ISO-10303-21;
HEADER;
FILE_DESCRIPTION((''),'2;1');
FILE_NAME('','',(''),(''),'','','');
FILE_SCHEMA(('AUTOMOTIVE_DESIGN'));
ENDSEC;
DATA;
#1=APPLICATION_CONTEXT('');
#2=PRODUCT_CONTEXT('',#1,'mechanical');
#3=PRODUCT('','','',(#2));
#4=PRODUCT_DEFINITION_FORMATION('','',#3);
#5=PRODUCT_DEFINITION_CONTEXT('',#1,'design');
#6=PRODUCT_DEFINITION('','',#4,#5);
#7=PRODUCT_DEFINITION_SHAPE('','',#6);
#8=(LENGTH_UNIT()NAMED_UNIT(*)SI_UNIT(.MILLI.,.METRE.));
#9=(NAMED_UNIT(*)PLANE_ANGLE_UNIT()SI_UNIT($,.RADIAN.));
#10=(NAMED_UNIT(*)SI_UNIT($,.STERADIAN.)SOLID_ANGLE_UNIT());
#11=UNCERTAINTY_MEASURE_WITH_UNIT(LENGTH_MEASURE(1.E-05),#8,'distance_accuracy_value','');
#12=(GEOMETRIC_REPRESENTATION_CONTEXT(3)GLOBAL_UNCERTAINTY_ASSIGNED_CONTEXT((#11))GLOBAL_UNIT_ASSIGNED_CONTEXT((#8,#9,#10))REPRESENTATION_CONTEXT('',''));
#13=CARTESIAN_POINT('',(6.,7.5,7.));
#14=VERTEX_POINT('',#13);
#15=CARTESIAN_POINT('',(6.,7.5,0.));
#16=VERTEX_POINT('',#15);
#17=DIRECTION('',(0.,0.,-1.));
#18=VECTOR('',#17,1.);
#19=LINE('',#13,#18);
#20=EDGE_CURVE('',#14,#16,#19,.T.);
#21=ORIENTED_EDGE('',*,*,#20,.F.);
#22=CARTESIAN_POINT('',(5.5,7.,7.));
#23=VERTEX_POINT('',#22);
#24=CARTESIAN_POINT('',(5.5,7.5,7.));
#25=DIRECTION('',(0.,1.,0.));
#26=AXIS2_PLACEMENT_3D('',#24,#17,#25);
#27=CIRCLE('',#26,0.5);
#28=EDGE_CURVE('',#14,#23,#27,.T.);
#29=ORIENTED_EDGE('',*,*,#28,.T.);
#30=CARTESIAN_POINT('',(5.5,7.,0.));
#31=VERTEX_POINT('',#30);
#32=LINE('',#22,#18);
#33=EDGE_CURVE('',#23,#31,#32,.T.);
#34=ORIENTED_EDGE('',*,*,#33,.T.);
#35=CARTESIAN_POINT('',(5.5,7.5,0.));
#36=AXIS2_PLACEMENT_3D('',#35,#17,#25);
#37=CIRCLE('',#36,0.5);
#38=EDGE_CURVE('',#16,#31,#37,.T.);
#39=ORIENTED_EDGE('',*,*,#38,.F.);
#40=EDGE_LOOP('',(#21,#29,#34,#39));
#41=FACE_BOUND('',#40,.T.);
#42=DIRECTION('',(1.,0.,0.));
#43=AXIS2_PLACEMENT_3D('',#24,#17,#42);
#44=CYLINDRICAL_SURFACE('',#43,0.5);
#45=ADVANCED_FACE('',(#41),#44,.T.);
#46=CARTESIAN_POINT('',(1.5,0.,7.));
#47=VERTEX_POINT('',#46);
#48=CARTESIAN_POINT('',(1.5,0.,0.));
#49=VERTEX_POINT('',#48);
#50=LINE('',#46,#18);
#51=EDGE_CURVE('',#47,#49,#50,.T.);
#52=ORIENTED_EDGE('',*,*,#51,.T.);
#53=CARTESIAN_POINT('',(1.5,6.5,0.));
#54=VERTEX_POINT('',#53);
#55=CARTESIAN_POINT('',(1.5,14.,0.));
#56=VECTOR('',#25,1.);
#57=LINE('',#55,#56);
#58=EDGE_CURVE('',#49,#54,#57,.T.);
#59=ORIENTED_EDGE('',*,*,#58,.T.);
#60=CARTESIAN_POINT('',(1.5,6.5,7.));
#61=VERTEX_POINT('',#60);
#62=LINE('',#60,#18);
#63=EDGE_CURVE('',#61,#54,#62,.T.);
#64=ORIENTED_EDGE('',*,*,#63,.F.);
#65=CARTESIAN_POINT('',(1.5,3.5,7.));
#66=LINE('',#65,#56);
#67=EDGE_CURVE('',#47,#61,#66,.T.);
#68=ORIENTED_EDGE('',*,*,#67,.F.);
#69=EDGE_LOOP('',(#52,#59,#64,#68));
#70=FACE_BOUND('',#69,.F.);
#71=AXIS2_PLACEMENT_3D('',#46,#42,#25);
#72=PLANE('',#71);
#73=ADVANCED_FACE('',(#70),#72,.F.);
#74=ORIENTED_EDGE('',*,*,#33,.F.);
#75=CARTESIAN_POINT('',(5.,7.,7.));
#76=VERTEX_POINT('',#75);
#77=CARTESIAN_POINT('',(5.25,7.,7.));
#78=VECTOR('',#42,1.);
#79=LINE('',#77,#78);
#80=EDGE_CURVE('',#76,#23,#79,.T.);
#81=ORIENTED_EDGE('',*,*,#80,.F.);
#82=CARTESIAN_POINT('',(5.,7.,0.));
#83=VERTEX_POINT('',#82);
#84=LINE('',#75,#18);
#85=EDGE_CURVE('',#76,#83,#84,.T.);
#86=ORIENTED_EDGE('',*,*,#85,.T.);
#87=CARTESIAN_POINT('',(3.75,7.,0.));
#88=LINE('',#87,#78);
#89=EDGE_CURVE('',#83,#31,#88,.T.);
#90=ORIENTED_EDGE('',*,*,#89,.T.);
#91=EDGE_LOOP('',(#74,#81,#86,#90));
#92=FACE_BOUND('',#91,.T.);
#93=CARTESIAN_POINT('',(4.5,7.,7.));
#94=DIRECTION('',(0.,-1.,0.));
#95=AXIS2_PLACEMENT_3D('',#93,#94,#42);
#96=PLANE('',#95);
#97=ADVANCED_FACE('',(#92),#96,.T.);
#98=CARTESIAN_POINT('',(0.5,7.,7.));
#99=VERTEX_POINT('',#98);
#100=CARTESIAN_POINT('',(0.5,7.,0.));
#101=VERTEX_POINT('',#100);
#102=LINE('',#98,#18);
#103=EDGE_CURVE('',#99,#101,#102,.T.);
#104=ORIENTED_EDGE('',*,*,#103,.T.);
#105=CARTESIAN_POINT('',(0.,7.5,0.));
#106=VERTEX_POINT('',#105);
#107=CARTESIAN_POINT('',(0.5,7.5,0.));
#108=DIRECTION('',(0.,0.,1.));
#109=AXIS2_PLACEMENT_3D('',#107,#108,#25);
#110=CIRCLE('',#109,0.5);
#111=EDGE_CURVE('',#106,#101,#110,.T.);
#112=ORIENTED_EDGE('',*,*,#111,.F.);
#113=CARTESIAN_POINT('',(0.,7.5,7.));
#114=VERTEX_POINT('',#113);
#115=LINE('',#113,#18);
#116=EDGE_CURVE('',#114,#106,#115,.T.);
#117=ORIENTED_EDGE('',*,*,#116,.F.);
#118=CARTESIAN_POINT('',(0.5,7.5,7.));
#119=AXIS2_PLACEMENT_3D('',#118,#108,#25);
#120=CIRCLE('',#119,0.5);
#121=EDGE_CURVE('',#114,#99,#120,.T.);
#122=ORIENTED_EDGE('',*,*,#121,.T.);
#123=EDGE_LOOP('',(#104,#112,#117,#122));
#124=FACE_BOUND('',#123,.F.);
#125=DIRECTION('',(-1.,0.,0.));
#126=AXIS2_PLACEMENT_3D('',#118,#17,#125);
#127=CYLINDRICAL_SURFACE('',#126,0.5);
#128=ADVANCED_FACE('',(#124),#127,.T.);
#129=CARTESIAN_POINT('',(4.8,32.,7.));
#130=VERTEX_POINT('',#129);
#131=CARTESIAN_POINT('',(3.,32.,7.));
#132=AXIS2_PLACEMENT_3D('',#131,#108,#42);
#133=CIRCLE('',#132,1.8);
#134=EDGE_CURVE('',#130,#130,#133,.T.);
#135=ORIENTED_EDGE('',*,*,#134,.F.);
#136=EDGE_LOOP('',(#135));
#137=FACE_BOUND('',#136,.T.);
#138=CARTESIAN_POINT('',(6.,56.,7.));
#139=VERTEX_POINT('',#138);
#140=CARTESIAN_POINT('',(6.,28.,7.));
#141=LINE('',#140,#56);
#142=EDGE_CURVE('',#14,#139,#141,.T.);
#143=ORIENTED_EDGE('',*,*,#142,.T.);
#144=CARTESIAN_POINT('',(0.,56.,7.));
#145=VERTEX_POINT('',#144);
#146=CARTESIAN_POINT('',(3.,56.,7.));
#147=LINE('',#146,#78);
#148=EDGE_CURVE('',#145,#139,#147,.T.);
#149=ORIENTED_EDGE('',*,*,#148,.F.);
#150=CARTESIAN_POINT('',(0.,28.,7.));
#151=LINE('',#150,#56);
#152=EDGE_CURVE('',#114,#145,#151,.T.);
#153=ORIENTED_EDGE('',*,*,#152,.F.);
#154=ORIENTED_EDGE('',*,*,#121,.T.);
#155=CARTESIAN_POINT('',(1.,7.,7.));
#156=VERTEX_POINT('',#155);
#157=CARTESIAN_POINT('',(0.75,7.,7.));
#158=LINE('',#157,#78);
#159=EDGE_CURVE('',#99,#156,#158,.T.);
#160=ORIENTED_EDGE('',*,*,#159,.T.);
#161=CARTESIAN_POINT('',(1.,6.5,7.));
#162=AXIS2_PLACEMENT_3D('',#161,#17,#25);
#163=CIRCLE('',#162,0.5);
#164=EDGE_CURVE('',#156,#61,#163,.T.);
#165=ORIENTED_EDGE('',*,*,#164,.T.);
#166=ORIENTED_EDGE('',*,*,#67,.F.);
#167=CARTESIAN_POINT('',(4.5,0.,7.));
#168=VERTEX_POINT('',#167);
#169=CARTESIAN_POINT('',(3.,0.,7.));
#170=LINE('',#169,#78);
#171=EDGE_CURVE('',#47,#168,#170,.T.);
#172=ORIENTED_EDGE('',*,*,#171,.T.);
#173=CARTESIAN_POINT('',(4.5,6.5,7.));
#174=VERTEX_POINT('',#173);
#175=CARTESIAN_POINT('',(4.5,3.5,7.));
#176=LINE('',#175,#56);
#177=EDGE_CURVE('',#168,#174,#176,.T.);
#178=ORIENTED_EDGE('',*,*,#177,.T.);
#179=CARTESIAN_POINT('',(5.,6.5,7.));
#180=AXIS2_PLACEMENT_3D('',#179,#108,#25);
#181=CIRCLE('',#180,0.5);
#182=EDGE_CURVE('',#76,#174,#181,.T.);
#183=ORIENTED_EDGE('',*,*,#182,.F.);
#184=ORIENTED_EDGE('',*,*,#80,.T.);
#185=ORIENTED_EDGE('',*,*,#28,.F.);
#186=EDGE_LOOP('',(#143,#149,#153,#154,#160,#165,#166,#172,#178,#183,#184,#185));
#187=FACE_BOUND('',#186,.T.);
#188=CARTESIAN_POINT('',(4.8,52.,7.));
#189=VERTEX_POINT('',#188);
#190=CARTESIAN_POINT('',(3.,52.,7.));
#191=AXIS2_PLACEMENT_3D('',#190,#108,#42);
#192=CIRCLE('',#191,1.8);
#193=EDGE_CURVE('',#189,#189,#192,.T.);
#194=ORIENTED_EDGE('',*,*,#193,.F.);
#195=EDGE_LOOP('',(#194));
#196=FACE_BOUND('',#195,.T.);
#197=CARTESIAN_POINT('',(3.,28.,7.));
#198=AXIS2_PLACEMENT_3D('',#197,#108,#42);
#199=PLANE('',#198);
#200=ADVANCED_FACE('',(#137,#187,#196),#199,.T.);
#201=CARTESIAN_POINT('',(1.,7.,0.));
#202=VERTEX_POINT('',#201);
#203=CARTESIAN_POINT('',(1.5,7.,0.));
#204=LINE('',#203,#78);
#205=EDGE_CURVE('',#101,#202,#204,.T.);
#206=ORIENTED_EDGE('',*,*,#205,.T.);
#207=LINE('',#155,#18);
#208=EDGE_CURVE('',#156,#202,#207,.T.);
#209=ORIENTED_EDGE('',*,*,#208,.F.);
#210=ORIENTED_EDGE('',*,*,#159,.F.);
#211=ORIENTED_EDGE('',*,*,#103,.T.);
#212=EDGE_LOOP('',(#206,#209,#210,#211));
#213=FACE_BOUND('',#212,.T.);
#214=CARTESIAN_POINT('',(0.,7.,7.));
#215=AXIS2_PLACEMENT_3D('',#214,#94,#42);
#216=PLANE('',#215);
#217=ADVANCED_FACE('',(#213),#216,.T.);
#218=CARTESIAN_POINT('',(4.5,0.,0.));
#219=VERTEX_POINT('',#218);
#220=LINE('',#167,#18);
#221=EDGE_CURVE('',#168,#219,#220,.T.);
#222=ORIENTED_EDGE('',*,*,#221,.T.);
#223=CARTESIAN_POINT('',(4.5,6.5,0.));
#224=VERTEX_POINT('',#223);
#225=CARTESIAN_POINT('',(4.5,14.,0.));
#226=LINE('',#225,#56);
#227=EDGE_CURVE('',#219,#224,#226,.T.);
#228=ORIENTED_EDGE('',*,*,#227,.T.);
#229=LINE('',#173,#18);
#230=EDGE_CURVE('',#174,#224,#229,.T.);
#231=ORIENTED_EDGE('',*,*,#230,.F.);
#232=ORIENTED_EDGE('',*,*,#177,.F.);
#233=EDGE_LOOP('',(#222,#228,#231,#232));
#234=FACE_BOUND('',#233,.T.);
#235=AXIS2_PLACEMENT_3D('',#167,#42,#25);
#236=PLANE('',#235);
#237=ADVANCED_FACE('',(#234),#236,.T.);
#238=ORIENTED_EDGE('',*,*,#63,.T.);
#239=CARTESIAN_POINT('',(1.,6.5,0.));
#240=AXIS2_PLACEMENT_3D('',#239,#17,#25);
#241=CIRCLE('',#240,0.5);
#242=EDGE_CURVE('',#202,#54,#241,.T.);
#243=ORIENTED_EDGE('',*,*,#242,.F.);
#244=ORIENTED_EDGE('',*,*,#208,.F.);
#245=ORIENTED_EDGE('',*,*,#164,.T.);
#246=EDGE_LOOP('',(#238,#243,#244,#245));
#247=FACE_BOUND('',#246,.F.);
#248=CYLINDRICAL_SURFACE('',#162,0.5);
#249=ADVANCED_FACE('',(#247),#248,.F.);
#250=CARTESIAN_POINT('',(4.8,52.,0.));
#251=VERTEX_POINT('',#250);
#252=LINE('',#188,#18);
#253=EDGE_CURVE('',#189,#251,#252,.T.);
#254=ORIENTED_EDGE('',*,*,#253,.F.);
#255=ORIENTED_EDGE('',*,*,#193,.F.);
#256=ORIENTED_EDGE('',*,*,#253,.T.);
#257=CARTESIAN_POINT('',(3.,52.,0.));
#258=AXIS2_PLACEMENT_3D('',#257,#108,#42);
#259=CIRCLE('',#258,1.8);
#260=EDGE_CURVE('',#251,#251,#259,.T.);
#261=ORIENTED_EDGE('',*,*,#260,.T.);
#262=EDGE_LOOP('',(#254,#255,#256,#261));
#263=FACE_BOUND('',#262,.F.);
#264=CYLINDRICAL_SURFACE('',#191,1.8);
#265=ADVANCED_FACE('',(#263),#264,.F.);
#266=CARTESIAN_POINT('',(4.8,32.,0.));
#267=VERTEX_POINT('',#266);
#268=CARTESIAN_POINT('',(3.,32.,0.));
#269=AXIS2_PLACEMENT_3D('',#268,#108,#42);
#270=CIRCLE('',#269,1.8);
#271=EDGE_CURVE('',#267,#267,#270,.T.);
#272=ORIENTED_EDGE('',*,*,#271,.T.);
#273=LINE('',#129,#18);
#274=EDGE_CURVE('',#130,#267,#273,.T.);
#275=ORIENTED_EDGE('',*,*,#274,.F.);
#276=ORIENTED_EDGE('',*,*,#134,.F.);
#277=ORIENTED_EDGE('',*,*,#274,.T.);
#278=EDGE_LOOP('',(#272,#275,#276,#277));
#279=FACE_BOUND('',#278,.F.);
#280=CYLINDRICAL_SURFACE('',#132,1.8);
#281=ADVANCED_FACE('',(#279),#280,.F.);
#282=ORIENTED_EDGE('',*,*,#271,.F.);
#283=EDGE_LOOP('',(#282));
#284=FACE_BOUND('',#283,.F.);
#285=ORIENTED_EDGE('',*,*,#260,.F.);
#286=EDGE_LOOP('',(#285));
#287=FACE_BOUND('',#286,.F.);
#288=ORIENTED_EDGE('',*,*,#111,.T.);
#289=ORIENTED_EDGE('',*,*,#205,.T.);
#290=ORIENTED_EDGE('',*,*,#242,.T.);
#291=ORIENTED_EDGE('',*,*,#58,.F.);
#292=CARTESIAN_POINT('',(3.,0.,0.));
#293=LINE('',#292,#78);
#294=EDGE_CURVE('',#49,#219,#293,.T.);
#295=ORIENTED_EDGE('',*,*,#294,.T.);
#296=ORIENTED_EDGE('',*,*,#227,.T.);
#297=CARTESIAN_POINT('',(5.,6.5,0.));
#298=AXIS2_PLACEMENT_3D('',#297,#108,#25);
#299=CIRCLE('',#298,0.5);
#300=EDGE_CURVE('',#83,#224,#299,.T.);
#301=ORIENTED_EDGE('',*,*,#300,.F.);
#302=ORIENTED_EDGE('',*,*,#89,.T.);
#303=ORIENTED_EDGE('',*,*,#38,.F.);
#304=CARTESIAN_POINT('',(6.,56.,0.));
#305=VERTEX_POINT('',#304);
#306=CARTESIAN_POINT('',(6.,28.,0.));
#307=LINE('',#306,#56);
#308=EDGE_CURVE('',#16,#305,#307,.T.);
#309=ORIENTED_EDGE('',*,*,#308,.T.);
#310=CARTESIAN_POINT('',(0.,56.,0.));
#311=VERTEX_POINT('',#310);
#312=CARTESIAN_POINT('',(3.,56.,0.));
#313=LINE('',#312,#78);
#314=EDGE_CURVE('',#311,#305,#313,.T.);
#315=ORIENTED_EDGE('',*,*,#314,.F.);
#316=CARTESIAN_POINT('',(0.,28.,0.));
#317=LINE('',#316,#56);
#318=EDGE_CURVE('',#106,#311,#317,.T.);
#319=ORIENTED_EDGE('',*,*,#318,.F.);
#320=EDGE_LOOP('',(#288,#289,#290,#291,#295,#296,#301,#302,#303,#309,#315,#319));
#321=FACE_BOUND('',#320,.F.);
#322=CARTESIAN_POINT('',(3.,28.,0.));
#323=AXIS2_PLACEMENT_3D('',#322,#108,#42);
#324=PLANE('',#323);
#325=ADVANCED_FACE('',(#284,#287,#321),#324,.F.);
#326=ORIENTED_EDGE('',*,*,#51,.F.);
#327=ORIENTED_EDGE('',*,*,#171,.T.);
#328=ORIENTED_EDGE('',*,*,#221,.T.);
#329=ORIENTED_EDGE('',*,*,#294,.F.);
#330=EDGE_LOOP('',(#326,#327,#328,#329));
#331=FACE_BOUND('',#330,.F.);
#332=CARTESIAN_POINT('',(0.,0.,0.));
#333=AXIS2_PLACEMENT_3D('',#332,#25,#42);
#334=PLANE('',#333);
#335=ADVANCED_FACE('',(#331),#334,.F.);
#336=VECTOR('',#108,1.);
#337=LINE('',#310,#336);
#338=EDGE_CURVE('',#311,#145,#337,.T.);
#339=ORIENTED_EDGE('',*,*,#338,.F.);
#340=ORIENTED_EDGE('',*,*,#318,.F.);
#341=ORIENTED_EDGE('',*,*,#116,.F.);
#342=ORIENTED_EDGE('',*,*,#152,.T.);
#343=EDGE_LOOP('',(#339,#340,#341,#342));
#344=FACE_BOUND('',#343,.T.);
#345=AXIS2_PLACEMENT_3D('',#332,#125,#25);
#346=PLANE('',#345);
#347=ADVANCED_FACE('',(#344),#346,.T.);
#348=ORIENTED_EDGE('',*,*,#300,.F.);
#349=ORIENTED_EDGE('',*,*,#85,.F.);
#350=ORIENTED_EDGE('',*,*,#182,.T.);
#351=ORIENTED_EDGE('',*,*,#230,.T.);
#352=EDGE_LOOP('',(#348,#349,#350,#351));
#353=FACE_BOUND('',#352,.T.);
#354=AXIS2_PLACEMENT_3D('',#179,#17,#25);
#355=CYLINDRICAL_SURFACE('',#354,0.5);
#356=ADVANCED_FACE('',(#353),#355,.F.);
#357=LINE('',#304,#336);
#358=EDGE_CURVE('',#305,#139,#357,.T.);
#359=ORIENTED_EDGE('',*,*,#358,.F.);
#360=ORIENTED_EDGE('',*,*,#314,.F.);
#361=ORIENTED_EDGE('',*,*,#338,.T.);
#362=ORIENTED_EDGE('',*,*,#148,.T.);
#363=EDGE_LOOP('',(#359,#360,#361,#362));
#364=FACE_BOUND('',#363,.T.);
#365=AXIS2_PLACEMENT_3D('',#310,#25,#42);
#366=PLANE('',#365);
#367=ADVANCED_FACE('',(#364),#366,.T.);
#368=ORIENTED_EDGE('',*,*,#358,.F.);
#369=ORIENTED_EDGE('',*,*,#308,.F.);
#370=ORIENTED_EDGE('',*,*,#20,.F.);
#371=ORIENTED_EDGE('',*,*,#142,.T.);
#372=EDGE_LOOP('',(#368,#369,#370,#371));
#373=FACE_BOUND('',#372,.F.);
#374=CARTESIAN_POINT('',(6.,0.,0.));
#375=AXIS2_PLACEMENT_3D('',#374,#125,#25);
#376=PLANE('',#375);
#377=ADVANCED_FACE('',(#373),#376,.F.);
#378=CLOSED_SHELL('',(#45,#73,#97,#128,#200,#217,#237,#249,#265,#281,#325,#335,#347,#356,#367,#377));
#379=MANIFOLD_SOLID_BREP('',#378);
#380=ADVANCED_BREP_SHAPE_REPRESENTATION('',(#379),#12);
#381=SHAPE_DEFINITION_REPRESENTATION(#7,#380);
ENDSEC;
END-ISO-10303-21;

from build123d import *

# Parameters (mm, degrees)
F0_W     = 6
F0_H     = 56
F1_DEPTH = 7
F2_R     = 1.8
F3_DEPTH = 7.001
F4_W     = 1.5
F4_H     = 7
F5_DEPTH = 7.001
F6_R     = 0.5


with BuildPart() as f1:
    # F0 (on Top) → F1 (new body)
    with BuildSketch(Plane.XY):
        with Locations((3, 28)):
            Rectangle(F0_W, F0_H)
    extrude(amount=F1_DEPTH)

    # F2 (on face) → F3 (cut, through all)
    with BuildSketch(Plane.XY.offset(7)):
        with Locations((3, 52)):
            Circle(F2_R)
        with Locations((3, 32)):
            Circle(F2_R)
    extrude(amount=-F3_DEPTH, mode=Mode.SUBTRACT)

    # F4 (on face) → F5 (cut, through all)
    with BuildSketch(Plane.XY.offset(7)):
        with Locations((0.75, 3.5)):
            Rectangle(F4_W, F4_H)
        with Locations((5.25, 3.5)):
            Rectangle(F4_W, F4_H)
    extrude(amount=-F5_DEPTH, mode=Mode.SUBTRACT)

    # F6
    f6_edges = [f1.edges().sort_by_distance(p)[0] for p in [
        (6, 7, 3.5),
        (0, 7, 3.5),
        (4.5, 7, 3.5),
        (1.5, 7, 3.5),
    ]]
    fillet(f6_edges, radius=F6_R)


solid = f1.part
